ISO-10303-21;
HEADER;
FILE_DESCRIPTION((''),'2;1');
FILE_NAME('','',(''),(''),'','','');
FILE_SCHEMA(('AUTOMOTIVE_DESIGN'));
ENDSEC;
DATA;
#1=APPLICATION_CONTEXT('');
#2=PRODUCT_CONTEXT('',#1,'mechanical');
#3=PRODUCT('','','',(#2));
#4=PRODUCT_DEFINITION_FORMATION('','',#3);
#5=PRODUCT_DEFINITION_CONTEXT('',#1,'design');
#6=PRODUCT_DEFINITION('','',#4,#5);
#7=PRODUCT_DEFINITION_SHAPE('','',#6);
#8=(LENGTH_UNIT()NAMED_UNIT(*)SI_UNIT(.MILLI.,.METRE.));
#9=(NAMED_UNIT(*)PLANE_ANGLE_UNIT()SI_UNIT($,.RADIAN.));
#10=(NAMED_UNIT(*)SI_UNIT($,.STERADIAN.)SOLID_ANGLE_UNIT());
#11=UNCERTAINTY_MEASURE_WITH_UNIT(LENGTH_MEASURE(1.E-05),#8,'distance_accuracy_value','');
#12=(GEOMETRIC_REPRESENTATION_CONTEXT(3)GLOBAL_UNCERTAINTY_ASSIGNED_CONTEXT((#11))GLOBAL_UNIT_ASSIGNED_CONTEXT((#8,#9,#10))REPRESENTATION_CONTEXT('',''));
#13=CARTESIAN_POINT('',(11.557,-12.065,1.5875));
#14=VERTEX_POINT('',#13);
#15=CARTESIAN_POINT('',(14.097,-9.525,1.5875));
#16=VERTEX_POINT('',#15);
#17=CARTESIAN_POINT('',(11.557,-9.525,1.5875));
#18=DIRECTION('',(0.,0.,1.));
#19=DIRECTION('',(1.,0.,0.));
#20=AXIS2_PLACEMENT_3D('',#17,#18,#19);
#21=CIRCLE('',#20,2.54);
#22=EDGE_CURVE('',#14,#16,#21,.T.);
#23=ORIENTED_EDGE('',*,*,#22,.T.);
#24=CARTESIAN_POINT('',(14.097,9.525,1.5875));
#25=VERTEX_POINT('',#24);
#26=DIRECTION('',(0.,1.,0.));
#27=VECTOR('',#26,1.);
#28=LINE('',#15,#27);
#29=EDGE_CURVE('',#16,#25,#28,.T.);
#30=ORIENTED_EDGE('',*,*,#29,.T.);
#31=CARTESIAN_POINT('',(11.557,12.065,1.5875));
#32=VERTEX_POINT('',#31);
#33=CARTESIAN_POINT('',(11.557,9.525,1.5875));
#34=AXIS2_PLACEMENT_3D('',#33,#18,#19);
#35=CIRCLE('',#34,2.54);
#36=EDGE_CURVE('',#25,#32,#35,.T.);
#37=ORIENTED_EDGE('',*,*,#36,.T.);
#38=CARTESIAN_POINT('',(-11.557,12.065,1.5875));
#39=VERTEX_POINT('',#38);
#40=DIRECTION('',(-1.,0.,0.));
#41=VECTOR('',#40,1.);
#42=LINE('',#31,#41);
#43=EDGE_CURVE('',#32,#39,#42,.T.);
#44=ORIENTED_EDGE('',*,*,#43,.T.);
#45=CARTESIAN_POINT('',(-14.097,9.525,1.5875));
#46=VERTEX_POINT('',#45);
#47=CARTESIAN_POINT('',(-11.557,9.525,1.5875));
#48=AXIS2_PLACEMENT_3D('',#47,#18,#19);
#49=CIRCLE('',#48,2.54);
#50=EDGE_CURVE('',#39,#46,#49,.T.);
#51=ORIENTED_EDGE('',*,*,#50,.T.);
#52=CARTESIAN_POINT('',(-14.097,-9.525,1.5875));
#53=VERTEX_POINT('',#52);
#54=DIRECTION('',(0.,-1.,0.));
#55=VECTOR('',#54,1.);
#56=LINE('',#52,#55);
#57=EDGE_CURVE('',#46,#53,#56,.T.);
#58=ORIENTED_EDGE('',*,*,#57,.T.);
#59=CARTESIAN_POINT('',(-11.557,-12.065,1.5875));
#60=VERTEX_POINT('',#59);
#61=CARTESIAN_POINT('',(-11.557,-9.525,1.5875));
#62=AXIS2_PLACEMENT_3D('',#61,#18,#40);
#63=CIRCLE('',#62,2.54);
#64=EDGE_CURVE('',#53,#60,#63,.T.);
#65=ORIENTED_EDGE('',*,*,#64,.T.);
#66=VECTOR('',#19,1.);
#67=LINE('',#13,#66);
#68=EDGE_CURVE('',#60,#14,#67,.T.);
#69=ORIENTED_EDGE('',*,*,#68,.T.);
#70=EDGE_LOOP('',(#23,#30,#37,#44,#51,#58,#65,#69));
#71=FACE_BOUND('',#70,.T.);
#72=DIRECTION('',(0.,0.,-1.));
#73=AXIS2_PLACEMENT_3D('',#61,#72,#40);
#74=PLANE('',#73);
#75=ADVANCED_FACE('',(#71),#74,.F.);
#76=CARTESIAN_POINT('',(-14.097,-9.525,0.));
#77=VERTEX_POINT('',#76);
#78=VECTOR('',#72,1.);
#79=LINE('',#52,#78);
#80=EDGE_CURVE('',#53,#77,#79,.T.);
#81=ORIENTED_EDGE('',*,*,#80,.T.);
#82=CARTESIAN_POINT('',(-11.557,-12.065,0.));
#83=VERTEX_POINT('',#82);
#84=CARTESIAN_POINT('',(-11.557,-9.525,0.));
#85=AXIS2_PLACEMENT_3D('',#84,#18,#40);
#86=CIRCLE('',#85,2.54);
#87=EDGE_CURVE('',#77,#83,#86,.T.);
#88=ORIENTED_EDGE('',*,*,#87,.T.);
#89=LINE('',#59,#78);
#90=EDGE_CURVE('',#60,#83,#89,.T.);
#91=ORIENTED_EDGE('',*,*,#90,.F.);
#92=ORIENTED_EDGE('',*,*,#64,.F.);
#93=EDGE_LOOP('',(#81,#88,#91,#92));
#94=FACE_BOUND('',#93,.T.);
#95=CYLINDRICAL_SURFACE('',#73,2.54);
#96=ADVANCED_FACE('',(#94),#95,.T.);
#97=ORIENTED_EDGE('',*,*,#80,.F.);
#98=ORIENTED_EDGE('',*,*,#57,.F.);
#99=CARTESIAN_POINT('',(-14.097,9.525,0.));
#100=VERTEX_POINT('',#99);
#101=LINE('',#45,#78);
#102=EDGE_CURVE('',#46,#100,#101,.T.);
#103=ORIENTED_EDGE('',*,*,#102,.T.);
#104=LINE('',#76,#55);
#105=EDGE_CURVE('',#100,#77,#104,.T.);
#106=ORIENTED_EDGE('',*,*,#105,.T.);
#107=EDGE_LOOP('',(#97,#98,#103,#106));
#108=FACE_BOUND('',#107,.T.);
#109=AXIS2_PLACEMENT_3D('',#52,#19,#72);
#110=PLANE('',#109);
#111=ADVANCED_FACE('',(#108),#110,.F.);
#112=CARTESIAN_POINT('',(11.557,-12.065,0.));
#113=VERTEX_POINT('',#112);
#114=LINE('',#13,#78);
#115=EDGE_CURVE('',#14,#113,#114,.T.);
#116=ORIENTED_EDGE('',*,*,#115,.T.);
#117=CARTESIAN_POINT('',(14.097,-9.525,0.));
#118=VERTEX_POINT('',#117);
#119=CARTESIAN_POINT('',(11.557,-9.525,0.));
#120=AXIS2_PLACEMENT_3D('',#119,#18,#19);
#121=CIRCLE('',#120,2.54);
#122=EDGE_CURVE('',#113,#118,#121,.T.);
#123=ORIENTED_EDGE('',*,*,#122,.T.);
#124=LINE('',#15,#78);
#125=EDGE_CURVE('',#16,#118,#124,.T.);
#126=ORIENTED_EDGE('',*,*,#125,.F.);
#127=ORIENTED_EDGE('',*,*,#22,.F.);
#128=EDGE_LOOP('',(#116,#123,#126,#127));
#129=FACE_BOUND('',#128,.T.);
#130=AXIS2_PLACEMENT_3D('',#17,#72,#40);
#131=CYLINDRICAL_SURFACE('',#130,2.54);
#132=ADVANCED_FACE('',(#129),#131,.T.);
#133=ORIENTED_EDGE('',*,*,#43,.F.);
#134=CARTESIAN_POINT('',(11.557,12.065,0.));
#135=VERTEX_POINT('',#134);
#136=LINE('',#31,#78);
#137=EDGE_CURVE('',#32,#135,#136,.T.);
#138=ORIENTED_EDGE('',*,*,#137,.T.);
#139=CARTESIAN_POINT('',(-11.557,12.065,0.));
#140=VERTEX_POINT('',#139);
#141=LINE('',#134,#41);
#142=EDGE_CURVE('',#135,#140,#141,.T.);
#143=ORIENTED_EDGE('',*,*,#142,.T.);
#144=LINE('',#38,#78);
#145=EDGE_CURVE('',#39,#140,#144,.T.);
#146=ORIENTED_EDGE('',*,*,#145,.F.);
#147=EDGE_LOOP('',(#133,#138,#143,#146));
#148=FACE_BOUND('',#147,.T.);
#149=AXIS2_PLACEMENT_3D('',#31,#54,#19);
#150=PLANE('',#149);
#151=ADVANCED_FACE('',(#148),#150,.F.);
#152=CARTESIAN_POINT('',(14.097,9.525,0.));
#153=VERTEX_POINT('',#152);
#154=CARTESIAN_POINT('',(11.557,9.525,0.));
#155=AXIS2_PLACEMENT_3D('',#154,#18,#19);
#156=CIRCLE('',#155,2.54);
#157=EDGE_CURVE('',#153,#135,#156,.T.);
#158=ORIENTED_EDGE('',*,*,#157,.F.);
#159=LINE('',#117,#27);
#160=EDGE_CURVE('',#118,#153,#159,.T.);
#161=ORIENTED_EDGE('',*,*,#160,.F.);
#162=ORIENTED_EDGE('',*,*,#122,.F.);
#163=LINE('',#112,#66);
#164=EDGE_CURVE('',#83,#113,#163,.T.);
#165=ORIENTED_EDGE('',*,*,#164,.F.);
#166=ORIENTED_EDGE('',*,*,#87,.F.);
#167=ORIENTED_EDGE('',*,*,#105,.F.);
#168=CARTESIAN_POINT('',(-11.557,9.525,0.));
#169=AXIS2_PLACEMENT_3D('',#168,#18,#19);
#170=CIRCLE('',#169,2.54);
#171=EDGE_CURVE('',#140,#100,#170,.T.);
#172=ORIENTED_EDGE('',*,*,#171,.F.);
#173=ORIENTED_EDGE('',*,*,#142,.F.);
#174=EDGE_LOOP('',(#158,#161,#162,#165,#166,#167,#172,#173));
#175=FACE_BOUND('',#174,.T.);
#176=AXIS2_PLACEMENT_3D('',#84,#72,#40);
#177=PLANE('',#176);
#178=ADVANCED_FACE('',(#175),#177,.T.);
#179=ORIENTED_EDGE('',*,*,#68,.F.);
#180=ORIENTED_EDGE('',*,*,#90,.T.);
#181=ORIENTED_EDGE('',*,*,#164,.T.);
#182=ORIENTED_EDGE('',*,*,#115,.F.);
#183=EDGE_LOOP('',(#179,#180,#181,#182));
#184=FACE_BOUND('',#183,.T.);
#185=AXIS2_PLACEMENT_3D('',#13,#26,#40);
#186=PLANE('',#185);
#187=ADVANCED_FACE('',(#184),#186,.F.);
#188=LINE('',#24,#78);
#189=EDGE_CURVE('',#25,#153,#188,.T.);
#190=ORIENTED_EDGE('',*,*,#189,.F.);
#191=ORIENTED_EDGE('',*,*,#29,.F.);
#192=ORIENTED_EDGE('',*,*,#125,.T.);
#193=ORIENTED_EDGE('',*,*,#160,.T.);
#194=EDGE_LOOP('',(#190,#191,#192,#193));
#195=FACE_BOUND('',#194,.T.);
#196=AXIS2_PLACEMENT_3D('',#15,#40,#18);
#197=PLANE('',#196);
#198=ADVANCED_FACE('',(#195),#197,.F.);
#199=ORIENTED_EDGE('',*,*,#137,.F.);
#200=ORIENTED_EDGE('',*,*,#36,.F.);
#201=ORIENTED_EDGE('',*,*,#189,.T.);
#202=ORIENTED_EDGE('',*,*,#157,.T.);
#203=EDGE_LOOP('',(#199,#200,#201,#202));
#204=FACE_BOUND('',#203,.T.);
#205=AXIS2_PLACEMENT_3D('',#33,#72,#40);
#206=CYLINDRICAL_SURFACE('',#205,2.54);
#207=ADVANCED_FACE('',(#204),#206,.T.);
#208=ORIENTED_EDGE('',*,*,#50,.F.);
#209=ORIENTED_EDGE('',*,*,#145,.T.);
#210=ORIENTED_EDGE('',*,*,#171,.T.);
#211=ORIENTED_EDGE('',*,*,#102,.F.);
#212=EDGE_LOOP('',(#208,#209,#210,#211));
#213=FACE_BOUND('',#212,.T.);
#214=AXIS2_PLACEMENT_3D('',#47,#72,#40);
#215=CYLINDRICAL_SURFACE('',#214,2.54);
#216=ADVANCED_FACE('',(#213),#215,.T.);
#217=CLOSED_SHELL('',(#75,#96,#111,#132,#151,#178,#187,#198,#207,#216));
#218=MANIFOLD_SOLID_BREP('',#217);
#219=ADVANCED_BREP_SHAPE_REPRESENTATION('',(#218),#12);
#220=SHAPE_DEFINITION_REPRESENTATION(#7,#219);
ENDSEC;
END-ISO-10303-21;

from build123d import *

# Parameters (mm, degrees)
BOSS_EXTRUDE1_DEPTH = 1.5875


with BuildPart() as part:
    # Sketch1 → Boss-Extrude1 (new body)
    with BuildSketch(Plane.XY):
        with BuildLine():
            Line((11.557, -12.065), (-11.557, -12.065))
            ThreePointArc((-11.557, -12.065), (-13.353051224, -11.321051224), (-14.097, -9.525))
            Line((-14.097, -9.525), (-14.097, 9.525))
            ThreePointArc((-14.097, 9.525), (-13.353051224, 11.321051224), (-11.557, 12.065))
            Line((-11.557, 12.065), (11.557, 12.065))
            ThreePointArc((11.557, 12.065), (13.353051224, 11.321051224), (14.097, 9.525))
            Line((14.097, 9.525), (14.097, -9.525))
            ThreePointArc((14.097, -9.525), (13.353051224, -11.321051224), (11.557, -12.065))
        make_face()
    extrude(amount=BOSS_EXTRUDE1_DEPTH)


solid = part.part
